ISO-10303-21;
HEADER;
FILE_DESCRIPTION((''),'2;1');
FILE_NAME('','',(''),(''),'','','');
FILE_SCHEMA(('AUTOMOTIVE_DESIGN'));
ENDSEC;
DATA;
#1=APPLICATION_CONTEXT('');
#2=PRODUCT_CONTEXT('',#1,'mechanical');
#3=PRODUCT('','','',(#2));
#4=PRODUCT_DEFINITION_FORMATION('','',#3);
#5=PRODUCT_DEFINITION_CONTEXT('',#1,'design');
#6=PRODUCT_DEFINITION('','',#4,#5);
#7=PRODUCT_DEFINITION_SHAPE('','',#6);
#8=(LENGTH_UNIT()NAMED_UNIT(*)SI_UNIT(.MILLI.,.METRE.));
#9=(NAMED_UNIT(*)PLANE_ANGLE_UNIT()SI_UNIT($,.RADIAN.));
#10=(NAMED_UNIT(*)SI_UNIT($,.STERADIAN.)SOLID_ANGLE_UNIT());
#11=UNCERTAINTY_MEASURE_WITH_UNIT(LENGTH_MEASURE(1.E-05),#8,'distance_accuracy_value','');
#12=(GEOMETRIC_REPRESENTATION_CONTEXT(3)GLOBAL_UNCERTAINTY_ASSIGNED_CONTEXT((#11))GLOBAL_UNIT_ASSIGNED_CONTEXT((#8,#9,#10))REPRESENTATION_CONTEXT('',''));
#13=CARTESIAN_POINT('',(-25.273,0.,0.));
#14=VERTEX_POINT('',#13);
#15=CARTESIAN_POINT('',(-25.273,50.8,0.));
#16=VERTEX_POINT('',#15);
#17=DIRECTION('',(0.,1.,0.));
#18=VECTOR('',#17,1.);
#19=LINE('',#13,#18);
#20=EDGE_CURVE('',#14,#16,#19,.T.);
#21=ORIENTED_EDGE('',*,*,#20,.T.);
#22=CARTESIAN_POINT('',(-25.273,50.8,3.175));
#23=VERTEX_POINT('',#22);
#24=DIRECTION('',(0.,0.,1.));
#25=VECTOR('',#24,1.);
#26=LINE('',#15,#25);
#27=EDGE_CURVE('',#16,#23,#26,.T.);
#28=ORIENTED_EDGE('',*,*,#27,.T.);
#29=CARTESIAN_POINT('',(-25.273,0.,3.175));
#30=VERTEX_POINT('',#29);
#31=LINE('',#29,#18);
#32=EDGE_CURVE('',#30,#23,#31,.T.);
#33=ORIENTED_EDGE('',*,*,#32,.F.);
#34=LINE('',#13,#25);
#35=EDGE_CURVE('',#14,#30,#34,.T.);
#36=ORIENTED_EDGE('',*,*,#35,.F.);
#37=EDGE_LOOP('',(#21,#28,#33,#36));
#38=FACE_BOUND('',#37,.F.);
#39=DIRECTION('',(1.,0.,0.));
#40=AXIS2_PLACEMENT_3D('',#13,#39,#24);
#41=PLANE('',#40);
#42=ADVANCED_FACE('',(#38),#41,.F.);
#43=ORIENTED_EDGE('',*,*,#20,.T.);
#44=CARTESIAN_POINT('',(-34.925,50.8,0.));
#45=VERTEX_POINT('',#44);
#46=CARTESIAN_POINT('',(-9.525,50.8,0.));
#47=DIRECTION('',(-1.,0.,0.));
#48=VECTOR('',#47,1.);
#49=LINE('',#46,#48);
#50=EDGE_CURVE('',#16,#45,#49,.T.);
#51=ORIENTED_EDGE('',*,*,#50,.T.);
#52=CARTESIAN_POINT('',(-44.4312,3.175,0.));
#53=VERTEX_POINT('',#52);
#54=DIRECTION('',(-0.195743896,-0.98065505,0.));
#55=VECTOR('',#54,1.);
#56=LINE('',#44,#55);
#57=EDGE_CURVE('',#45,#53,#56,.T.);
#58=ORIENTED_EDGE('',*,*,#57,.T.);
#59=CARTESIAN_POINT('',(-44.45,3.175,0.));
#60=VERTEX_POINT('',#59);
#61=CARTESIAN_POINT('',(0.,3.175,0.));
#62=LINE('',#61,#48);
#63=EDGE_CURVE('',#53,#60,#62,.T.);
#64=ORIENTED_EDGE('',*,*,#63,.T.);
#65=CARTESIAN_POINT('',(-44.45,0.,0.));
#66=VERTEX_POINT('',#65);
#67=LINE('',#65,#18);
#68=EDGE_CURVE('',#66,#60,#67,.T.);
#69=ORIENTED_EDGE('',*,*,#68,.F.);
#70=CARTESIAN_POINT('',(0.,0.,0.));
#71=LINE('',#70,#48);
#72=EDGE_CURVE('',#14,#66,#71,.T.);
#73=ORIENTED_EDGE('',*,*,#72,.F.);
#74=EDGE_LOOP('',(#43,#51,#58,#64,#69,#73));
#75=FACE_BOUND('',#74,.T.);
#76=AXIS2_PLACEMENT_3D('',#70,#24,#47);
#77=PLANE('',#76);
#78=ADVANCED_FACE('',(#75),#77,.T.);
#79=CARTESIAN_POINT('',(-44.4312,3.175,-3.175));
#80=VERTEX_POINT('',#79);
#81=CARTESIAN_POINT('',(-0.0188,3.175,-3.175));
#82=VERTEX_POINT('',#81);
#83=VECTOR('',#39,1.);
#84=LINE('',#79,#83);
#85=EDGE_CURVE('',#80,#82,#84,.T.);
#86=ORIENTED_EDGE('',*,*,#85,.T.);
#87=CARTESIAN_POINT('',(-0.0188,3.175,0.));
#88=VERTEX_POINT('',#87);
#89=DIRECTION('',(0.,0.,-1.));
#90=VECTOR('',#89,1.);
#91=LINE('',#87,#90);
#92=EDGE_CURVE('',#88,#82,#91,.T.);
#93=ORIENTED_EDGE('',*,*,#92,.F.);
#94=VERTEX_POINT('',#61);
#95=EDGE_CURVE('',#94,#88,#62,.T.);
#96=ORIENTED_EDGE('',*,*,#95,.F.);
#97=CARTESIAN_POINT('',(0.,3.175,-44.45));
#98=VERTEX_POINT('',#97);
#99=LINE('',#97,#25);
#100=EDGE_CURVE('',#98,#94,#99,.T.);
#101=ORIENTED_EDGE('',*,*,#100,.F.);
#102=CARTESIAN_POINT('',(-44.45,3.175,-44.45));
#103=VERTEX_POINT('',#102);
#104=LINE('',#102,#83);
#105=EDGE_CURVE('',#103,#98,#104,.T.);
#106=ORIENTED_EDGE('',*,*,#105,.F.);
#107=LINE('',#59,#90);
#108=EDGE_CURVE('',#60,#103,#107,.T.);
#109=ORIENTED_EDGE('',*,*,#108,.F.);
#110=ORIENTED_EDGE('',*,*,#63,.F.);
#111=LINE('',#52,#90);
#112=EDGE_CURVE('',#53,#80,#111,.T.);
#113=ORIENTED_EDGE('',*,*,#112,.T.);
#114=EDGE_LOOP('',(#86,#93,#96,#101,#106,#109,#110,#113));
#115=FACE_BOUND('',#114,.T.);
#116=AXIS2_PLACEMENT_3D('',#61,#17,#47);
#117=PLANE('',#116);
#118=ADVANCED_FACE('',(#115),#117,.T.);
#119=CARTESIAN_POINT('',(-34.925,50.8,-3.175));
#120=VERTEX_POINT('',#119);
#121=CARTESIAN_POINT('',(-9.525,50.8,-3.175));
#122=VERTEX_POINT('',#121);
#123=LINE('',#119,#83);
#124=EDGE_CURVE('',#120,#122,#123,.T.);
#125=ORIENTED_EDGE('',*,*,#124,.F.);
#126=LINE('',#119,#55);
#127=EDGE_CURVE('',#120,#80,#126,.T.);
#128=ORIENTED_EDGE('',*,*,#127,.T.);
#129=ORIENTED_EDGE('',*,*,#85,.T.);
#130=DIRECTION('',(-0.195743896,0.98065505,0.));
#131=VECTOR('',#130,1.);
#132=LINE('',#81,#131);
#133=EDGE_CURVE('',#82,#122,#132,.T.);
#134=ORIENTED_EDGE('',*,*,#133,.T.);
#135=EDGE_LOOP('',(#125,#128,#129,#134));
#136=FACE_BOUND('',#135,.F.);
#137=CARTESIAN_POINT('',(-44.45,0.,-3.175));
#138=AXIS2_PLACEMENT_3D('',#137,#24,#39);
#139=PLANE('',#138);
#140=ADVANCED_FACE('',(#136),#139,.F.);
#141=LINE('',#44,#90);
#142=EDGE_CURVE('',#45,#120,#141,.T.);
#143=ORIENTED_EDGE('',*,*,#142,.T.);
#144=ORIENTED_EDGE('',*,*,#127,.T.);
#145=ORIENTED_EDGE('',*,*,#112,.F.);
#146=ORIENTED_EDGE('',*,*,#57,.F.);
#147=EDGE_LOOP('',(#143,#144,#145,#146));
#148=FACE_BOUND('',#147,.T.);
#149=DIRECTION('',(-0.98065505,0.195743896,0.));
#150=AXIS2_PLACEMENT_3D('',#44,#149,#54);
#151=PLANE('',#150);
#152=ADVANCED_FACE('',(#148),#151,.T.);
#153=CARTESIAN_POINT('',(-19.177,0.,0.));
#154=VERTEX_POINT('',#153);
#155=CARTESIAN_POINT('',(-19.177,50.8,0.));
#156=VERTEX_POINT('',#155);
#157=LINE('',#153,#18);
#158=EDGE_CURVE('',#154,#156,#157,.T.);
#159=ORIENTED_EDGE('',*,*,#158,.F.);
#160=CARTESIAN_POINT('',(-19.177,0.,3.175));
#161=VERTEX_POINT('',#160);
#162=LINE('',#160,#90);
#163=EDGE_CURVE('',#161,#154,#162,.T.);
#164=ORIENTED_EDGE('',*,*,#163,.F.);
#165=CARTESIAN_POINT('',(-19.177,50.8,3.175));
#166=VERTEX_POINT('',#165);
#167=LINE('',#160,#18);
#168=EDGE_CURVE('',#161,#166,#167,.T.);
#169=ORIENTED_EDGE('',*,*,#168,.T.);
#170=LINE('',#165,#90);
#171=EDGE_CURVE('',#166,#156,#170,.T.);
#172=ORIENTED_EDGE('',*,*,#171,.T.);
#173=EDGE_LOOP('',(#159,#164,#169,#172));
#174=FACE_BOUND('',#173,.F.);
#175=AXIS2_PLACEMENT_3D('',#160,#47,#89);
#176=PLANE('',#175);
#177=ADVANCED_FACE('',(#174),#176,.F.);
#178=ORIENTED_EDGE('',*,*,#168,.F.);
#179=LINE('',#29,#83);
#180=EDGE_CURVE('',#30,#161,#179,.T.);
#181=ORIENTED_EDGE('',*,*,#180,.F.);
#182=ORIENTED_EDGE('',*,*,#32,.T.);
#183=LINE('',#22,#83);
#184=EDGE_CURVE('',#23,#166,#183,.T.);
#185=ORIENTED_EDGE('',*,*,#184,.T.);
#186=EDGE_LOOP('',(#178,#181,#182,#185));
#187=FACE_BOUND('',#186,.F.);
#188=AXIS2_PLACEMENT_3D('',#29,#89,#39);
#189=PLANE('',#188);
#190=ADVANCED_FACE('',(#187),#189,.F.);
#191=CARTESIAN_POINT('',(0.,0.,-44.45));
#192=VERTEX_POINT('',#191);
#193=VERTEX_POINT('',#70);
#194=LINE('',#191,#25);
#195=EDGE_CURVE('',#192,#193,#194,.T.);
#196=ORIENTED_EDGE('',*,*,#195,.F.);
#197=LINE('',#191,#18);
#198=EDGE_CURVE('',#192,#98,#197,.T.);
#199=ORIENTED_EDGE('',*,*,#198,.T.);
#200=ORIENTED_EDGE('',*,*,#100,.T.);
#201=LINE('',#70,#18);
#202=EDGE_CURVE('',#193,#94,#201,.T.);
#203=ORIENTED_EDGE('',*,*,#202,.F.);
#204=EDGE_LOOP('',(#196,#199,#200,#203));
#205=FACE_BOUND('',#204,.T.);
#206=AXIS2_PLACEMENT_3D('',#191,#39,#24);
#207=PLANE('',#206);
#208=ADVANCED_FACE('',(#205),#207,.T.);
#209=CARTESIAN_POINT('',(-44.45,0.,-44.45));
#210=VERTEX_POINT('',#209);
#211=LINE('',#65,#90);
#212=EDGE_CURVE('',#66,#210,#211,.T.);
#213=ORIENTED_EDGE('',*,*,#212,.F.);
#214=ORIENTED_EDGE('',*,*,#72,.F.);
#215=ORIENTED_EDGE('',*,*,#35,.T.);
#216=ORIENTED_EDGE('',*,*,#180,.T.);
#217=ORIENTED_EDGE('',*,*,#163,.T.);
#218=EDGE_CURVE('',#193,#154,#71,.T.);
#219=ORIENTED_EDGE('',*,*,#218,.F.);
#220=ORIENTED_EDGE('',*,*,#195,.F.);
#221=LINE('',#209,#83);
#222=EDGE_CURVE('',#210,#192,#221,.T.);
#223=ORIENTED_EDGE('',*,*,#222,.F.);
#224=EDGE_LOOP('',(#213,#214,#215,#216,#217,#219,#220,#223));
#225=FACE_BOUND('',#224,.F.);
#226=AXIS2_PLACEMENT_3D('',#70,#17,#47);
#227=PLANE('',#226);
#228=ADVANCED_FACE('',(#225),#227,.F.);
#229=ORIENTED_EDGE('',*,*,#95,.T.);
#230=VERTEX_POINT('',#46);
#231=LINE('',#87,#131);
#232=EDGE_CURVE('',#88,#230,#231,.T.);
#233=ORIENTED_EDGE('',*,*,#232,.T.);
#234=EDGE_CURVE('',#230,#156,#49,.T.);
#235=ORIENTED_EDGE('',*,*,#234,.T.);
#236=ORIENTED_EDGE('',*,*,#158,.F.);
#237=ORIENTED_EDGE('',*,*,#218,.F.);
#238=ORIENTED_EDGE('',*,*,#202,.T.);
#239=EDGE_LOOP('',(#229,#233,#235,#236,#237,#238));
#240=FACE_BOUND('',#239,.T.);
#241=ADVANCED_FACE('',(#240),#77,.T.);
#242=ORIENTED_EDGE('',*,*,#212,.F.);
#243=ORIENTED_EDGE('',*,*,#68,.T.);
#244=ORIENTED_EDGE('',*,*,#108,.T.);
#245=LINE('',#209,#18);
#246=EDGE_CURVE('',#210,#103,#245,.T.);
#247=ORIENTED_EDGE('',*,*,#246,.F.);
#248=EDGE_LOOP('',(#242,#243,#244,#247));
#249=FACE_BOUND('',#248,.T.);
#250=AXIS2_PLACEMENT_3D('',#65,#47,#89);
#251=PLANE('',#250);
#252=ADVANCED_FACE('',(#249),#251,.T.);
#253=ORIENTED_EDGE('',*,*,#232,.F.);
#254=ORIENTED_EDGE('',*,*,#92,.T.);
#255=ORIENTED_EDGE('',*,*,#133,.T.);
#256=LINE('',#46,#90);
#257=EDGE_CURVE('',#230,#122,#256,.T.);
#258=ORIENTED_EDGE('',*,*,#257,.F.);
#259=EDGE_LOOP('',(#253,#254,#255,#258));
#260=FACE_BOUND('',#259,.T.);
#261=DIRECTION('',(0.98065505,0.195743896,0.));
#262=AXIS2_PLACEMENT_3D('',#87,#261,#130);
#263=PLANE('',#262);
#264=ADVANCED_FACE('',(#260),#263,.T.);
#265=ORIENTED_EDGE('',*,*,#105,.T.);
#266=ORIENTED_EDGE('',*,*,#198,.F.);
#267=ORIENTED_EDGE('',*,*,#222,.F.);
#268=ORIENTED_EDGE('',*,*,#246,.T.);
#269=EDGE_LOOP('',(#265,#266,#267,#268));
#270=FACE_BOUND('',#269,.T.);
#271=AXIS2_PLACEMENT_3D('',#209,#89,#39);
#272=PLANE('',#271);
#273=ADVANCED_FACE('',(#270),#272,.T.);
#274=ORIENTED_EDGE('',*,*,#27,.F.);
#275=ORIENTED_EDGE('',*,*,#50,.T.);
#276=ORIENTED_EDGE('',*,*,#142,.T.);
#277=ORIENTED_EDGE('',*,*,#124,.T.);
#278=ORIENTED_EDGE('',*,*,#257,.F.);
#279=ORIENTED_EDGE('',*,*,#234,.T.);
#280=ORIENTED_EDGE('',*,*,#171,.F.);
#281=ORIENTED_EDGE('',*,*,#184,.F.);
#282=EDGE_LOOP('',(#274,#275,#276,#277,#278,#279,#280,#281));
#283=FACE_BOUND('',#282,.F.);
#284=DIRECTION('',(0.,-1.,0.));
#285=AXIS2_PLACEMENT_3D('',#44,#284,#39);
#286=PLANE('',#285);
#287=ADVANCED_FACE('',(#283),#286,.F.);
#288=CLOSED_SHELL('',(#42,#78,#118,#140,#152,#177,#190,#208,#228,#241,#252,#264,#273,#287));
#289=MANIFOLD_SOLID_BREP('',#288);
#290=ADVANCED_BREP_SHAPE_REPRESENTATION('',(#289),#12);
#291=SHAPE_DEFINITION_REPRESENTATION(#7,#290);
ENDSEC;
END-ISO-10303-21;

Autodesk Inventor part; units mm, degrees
ref_plane "YZ Plane" through (0, 0, 0) normal (1, 0, 0) x (0, 1, 0)
ref_plane "XZ Plane" through (0, 0, 0) normal (0, 1, 0) x (-1, 0, 0)
ref_plane "XY Plane" through (0, 0, 0) normal (0, 0, 1) x (1, 0, 0)
sketch "Sketch1" plane through (0, 0, 0) normal (0, 1, 0) x (-1, 0, 0)
  line L0 (0, 0) -> (44.45, 0)
  line L1 (44.45, 0) -> (44.45, -44.45)
  line L2 (44.45, -44.45) -> (0, -44.45)
  line L3 (0, -44.45) -> (0, 0)
  dimension "d0" = 44.45
  dimension "d1" = 44.45
extrude "Extrusion1" add sketch "Sketch1" along normal blind 3.175
sketch "Sketch2" plane through (-44.45, 0, 0) normal (0, 0, 1) x (1, 0, 0)
  line L0 (9.525, 50.8) -> (34.925, 50.8)
  line L1 (44.45, 0) -> (0, 0) projected
  line L2 (22.225, 50.8) -> (22.225, 54.352)
  line L3 (22.225, 0) -> (22.225, -5.76)
  line L4 (9.525, 50.8) -> (0.0188, 3.175)
  line L5 (0.0188, 3.175) -> (44.4312, 3.175)
  line L6 (44.4312, 3.175) -> (34.925, 50.8)
  line L7 (0, 3.175) -> (44.45, 3.175) projected
  dimension "d4" = 25.4
  dimension "d5" = 50.8
  dimension "d6" = 0
  dimension "d9" = 0
extrude "Extrusion2" add sketch "Sketch2" against normal blind 3.175
sketch "Sketch3" plane through (0, 0, 0) normal (0, -1, 0) x (1, 0, 0)
  line L0 (-25.273, 0) -> (-25.273, 3.175)
  line L1 (-19.177, 3.175) -> (-19.177, 0)
  line L2 (-19.177, 0) -> (-25.273, 0)
  line L3 (0, 0) -> (-44.45, 0) projected
  line L4 (-25.273, 3.175) -> (-19.177, 3.175)
  line L5 (0, -44.45) -> (0, 0) projected
  dimension "d10" = 3.175
  dimension "d13" = 6.096
  dimension "d14" = 19.177
extrude "Extrusion3" add sketch "Sketch3" against normal up to surface (50.8 mm away)
properties part number "Bottom Elevator Bracket"
